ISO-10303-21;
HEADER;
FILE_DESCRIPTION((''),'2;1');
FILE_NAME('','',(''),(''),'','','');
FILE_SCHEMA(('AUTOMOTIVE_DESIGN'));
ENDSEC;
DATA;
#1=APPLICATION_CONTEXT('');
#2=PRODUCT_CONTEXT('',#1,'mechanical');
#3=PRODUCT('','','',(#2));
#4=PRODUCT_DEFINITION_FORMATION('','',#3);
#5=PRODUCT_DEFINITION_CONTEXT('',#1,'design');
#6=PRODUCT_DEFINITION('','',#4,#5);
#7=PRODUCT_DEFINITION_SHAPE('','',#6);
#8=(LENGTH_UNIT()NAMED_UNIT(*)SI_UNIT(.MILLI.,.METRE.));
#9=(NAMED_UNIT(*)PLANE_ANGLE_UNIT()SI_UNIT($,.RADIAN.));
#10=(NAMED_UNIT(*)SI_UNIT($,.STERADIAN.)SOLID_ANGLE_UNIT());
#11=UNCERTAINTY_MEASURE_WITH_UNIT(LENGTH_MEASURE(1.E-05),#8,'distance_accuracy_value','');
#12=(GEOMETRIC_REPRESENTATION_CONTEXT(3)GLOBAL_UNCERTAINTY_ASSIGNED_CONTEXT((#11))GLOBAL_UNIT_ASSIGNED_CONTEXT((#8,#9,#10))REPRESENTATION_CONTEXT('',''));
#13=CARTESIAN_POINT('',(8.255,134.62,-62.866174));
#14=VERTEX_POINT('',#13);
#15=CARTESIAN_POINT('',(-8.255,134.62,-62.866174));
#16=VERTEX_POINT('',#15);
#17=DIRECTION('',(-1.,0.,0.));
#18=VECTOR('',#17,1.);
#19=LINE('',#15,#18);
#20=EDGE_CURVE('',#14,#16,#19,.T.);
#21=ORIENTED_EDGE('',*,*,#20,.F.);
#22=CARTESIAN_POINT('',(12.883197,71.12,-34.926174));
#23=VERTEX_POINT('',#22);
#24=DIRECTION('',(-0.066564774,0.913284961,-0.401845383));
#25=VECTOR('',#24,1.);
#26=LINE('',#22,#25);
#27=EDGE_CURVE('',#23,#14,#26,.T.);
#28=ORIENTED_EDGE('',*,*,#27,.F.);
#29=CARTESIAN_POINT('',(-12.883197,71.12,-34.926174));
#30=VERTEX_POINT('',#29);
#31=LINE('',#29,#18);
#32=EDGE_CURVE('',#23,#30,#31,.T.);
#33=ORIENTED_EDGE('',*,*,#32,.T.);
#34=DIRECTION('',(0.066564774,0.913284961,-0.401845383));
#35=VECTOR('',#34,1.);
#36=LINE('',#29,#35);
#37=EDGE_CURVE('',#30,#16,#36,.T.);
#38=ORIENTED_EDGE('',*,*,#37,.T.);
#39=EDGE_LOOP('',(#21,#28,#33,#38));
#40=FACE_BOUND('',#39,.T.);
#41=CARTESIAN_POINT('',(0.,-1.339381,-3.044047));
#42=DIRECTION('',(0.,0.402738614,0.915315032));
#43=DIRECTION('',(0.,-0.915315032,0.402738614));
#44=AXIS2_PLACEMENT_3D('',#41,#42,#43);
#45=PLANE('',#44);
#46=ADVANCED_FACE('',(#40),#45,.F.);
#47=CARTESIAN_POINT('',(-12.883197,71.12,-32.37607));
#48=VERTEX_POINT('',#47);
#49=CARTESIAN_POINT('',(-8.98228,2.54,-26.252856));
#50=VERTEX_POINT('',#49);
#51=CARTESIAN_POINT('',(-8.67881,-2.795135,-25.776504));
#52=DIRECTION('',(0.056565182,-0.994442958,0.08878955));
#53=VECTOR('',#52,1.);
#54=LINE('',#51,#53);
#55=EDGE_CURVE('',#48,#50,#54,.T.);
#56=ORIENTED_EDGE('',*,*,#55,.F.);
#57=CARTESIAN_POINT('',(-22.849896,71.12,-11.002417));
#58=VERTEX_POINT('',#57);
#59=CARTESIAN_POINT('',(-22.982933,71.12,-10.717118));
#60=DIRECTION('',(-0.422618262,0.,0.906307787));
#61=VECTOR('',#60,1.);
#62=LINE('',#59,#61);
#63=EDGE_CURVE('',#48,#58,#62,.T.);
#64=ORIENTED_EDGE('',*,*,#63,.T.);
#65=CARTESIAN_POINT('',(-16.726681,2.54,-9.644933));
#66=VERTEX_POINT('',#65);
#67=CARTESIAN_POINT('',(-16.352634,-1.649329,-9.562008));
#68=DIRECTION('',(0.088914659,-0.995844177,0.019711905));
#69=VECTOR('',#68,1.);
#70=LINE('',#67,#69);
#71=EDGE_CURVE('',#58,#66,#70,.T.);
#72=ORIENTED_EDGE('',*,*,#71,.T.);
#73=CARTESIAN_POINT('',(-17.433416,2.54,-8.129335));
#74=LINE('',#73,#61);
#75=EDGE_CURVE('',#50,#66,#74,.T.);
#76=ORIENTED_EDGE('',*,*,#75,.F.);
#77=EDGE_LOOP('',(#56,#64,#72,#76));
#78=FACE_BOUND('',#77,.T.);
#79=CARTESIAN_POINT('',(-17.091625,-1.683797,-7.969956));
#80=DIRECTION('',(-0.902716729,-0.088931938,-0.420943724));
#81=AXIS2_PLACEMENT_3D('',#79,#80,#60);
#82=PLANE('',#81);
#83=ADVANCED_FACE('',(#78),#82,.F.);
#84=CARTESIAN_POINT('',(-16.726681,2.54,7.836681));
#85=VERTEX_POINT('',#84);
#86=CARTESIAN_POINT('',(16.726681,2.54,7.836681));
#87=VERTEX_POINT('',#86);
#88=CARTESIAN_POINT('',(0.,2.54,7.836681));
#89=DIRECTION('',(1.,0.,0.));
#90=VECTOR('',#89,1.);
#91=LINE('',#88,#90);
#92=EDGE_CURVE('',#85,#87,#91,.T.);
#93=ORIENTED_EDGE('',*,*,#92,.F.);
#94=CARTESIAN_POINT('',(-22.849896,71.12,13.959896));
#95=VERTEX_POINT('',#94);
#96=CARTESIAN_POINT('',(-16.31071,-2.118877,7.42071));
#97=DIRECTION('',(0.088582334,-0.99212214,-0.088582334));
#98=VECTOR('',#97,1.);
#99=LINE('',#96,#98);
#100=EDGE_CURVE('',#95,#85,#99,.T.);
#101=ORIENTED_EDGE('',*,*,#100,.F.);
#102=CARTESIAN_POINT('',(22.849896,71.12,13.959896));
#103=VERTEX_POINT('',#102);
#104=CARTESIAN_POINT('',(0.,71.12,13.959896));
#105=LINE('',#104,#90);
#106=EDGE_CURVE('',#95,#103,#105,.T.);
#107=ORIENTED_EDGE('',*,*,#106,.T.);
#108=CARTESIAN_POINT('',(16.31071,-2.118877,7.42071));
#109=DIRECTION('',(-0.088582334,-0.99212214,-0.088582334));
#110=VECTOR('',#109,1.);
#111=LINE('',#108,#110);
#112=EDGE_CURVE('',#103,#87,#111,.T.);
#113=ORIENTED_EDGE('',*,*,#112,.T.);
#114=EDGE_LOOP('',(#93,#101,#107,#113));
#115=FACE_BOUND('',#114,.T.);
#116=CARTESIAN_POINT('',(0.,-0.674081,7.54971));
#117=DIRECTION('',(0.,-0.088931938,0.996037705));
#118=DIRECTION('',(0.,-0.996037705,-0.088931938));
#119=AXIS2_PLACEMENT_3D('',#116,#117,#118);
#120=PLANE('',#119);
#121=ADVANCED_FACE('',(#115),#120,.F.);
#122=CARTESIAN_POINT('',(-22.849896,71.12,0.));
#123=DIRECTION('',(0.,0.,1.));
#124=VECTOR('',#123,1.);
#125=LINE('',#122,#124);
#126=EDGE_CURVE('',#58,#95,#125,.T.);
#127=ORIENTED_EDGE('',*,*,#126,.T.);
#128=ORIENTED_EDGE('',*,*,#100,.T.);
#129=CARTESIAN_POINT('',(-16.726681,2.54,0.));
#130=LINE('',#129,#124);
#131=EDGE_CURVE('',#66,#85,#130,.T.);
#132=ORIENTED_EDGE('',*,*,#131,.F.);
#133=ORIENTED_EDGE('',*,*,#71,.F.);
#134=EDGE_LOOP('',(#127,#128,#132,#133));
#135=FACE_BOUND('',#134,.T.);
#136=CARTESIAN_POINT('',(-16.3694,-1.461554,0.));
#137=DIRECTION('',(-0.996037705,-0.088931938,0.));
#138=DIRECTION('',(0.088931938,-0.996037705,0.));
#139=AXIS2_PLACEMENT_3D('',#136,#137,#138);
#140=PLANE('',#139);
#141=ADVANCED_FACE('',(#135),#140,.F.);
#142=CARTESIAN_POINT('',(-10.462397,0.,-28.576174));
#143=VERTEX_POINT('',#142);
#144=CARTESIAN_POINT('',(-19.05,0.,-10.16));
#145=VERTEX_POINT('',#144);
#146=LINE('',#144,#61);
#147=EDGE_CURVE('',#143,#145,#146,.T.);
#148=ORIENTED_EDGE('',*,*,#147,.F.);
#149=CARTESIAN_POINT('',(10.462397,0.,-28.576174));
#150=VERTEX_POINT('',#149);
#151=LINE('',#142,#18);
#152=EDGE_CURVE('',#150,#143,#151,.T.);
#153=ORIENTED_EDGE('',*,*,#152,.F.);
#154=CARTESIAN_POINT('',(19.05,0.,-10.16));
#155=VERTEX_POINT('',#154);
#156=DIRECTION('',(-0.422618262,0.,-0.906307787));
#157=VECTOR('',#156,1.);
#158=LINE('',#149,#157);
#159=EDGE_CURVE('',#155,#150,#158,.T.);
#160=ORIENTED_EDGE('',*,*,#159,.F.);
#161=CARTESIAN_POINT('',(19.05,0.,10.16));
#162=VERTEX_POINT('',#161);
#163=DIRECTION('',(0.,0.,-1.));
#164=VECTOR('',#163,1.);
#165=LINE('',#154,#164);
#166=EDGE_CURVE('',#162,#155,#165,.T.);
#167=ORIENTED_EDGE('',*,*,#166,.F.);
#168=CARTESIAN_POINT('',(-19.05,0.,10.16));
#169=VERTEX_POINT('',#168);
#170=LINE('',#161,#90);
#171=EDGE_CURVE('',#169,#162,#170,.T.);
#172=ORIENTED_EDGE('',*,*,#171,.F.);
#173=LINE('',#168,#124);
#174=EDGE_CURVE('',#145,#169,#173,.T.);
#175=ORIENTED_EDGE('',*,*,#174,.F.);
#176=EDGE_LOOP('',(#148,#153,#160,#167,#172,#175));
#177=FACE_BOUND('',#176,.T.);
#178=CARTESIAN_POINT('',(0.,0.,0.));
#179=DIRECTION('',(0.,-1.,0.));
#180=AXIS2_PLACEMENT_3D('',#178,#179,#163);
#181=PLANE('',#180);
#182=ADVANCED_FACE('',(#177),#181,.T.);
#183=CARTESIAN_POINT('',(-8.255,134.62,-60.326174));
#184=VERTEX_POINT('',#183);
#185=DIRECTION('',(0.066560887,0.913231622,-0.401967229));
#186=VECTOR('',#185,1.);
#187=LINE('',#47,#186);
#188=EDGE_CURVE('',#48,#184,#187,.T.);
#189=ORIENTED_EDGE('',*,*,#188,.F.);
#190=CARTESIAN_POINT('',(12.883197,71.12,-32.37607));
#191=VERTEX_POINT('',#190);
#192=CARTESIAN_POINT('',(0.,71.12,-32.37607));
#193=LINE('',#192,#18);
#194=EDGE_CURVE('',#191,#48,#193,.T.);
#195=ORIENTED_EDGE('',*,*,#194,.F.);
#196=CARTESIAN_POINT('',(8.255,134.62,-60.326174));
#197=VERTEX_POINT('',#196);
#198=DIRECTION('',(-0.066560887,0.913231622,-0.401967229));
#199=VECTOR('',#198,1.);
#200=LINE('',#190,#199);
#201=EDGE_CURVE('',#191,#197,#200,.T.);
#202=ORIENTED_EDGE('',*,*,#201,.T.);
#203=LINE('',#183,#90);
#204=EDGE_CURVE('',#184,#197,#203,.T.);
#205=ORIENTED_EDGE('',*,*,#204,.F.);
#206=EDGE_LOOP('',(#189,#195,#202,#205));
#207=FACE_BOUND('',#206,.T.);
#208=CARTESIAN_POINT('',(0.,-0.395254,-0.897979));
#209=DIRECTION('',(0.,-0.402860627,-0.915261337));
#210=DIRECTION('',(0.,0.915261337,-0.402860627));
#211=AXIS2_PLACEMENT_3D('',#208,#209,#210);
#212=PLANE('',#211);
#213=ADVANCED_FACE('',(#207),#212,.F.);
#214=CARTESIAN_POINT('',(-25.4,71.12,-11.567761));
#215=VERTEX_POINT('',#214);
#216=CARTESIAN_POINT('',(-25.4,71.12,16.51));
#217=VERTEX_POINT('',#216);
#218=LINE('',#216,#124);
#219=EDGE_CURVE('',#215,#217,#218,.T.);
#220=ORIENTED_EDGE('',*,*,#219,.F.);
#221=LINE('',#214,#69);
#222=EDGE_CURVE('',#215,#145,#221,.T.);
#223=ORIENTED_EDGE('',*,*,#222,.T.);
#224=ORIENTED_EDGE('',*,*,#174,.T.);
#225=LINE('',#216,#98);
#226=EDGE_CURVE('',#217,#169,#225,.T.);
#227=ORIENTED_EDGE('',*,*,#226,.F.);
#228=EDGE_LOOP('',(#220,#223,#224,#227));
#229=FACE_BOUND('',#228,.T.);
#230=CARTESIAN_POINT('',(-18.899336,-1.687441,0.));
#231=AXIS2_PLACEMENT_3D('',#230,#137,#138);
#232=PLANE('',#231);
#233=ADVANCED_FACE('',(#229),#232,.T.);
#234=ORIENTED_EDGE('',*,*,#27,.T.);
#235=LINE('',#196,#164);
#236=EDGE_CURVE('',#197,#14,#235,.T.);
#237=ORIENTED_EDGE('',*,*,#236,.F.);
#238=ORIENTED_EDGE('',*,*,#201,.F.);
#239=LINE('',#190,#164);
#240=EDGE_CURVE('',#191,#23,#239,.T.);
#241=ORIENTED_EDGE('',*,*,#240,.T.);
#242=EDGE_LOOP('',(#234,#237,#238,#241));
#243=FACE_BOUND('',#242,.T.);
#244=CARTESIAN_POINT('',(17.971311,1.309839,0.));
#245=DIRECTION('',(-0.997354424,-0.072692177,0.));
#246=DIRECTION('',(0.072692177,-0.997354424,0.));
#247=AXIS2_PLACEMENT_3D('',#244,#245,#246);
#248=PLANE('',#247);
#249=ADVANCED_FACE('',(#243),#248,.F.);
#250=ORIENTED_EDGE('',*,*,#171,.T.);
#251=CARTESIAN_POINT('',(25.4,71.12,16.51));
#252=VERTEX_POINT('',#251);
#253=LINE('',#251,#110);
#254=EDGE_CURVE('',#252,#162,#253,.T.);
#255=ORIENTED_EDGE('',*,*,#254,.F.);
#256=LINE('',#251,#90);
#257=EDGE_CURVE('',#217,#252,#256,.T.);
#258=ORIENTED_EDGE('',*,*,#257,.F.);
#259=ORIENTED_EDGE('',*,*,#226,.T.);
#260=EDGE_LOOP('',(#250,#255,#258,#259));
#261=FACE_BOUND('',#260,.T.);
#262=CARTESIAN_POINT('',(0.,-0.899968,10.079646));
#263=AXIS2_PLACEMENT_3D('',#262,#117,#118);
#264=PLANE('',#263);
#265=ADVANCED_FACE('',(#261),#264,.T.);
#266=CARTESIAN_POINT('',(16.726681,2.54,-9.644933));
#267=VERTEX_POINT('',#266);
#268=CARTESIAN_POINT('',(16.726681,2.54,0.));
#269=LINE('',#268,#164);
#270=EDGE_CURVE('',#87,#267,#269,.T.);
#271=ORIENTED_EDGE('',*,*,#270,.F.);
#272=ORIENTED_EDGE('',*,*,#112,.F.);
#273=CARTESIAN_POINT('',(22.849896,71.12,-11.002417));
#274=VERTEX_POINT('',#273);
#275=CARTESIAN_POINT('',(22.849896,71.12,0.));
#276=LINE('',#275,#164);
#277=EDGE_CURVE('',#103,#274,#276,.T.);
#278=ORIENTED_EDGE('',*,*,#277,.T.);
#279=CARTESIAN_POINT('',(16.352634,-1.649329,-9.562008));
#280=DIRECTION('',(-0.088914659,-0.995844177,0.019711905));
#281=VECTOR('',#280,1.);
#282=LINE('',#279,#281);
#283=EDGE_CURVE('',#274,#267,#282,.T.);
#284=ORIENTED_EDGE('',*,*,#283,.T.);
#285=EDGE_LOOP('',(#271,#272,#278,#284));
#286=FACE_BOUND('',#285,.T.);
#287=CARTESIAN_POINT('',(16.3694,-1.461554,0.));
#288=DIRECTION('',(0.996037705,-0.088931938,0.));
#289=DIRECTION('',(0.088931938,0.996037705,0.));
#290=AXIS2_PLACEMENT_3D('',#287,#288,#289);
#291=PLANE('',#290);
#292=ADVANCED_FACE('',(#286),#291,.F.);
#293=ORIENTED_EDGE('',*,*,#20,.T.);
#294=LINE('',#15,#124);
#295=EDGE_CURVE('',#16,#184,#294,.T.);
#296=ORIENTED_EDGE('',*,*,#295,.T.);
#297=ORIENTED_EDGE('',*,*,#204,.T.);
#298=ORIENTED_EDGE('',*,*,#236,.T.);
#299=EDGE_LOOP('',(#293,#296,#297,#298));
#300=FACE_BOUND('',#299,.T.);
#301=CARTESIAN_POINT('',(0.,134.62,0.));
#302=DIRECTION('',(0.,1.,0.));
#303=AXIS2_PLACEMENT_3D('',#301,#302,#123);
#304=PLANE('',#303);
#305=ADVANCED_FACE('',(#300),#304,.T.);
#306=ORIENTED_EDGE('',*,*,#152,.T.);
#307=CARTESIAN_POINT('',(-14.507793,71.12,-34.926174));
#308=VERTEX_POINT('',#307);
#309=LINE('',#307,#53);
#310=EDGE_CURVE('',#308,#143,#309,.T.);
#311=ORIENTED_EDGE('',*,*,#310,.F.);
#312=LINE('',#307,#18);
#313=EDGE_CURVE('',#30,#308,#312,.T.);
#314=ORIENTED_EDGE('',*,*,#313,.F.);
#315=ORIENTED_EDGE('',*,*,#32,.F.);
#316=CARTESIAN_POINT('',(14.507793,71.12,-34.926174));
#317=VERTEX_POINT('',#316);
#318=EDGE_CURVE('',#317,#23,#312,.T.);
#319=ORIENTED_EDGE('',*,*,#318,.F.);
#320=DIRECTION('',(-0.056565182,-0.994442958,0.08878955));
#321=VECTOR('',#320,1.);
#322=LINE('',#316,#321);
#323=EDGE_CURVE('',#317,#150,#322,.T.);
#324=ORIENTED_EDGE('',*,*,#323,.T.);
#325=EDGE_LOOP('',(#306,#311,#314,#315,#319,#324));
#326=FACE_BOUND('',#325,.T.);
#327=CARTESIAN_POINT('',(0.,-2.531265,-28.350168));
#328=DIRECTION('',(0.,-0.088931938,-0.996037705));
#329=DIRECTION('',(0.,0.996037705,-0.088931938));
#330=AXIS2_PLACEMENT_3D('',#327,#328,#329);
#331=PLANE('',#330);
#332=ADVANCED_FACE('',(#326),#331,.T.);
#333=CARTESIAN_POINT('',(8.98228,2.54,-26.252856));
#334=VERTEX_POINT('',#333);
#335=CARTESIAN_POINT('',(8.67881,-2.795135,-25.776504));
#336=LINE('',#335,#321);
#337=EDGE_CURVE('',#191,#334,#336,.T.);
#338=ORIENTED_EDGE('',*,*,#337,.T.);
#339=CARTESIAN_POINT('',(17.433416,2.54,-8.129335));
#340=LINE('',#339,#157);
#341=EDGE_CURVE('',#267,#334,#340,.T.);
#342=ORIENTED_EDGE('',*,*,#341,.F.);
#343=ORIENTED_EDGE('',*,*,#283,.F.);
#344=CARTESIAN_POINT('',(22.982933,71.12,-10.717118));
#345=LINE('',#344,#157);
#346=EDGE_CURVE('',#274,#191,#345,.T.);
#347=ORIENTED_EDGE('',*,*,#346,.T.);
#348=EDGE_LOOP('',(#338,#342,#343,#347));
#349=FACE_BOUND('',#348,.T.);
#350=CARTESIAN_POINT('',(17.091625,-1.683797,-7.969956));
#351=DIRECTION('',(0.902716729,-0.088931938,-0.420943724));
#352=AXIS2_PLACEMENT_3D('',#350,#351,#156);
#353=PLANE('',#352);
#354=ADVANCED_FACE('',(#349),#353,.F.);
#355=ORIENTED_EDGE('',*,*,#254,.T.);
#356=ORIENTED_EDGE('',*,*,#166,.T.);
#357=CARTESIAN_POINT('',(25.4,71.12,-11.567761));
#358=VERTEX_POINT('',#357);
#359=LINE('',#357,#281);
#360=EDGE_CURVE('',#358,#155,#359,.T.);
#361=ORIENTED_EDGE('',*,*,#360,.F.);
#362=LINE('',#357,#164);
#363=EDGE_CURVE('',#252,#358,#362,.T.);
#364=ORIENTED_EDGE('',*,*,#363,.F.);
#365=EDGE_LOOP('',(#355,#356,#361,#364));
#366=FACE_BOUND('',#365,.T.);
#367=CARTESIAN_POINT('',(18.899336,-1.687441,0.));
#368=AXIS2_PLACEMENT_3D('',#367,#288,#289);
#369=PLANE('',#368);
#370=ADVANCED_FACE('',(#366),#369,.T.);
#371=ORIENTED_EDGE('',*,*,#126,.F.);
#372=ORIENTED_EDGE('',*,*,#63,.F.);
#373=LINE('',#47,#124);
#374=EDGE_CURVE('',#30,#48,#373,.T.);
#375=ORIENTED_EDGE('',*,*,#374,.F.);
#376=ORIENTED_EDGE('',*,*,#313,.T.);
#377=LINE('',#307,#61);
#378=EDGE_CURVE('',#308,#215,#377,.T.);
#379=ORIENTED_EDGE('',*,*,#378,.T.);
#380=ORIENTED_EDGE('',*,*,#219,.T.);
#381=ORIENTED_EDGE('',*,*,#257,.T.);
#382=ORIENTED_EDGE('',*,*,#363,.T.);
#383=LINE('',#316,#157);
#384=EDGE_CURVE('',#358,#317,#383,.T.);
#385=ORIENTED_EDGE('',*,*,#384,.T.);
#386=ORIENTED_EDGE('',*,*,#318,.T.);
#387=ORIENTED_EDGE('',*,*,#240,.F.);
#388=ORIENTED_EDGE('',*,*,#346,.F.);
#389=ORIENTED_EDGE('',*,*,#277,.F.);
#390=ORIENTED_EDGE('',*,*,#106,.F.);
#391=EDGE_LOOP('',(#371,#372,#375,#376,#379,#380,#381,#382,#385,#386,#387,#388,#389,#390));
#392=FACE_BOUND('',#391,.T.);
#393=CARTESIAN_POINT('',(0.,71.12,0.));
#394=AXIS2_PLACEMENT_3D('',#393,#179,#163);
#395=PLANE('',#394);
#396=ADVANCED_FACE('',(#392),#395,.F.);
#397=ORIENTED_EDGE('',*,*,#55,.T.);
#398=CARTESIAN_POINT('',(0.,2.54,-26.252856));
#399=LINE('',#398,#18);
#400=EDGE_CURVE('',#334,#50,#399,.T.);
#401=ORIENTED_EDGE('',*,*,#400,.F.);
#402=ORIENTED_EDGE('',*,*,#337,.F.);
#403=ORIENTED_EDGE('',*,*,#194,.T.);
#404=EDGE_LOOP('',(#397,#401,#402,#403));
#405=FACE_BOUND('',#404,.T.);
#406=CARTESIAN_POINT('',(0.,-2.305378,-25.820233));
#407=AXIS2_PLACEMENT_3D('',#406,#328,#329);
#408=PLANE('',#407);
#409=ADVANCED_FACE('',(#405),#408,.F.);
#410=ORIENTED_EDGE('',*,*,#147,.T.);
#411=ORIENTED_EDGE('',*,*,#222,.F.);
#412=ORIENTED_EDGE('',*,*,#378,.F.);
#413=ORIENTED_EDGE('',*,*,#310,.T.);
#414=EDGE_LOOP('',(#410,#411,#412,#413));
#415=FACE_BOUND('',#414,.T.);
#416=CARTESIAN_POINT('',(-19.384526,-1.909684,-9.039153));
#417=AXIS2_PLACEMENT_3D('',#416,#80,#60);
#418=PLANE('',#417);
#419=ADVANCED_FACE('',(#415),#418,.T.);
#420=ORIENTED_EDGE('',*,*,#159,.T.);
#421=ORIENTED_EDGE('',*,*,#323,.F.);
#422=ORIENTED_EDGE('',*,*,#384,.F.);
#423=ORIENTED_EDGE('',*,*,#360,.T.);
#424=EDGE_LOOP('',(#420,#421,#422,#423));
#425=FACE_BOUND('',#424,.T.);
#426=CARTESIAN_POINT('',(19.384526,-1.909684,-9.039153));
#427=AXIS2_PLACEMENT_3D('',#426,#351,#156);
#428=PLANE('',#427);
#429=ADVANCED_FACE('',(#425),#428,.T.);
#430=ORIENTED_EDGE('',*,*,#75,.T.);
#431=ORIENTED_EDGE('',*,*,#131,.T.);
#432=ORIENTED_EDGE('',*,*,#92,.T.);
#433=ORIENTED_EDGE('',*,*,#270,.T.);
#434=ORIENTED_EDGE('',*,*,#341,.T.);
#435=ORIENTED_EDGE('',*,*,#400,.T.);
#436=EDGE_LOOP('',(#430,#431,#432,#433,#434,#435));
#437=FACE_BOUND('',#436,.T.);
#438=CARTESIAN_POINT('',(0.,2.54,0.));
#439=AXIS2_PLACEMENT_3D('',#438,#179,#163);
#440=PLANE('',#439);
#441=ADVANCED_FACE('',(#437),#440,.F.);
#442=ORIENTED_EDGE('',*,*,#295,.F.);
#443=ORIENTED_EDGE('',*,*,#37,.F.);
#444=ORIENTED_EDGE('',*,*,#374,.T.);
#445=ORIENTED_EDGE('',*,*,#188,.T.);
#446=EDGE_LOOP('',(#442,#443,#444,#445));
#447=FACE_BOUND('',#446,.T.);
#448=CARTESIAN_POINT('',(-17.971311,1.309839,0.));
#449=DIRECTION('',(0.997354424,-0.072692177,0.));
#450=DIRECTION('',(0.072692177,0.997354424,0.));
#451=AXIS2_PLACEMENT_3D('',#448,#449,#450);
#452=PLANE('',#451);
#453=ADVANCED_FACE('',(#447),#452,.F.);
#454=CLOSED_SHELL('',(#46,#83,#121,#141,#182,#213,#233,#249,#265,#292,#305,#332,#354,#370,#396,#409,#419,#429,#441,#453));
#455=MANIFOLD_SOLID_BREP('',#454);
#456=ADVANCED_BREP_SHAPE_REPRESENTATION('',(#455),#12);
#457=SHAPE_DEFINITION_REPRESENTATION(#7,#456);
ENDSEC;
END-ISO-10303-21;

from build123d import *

# Parameters (mm, degrees)
SHELL1_T  = -2.54
SKETCH8_W = 25.766394978
SKETCH8_H = 2.550104265
SKETCH6_W = 16.51
SKETCH6_H = 2.54


with BuildPart() as part:
    # Sketch3 → Loft2 section 0
    with BuildSketch(Plane(origin=(0, 71.12, 0), x_dir=(1, 0, 0), z_dir=(0, 1, 0))):
        Polygon((-14.507793078, 34.926174233), (14.507793078, 34.926174233), (25.4, 11.567761108), (25.4, -16.51), (-25.4, -16.51), (-25.4, 11.567761108), align=None)
    # Sketch1 → Loft2 section 1
    with BuildSketch(Plane(origin=(0, 0, 0), x_dir=(1, 0, 0), z_dir=(0, 1, 0))):
        Polygon((-10.462396921, 28.576174233), (10.462396921, 28.576174233), (19.05, 10.16), (19.05, -10.16), (-19.05, -10.16), (-19.05, 10.16), align=None)
    loft()

    # Shell1
    shell1_openings = [part.faces().sort_by_distance(p)[0] for p in [
        (0, 71.12, -9.994645113),
    ]]
    offset(amount=SHELL1_T, openings=shell1_openings, kind=Kind.INTERSECTION)

    # Sketch8 → Loft3 section 0
    with BuildSketch(Plane(origin=(0, 71.12, 0), x_dir=(1, 0, 0), z_dir=(0, 1, 0))):
        with Locations((0, 33.651122101)):
            Rectangle(SKETCH8_W, SKETCH8_H)
    # Sketch6 → Loft3 section 1
    with BuildSketch(Plane(origin=(0, 134.62, 0), x_dir=(1, 0, 0), z_dir=(0, 1, 0))):
        with Locations((0, 61.596174233)):
            Rectangle(SKETCH6_W, SKETCH6_H)
    loft()


solid = part.part
